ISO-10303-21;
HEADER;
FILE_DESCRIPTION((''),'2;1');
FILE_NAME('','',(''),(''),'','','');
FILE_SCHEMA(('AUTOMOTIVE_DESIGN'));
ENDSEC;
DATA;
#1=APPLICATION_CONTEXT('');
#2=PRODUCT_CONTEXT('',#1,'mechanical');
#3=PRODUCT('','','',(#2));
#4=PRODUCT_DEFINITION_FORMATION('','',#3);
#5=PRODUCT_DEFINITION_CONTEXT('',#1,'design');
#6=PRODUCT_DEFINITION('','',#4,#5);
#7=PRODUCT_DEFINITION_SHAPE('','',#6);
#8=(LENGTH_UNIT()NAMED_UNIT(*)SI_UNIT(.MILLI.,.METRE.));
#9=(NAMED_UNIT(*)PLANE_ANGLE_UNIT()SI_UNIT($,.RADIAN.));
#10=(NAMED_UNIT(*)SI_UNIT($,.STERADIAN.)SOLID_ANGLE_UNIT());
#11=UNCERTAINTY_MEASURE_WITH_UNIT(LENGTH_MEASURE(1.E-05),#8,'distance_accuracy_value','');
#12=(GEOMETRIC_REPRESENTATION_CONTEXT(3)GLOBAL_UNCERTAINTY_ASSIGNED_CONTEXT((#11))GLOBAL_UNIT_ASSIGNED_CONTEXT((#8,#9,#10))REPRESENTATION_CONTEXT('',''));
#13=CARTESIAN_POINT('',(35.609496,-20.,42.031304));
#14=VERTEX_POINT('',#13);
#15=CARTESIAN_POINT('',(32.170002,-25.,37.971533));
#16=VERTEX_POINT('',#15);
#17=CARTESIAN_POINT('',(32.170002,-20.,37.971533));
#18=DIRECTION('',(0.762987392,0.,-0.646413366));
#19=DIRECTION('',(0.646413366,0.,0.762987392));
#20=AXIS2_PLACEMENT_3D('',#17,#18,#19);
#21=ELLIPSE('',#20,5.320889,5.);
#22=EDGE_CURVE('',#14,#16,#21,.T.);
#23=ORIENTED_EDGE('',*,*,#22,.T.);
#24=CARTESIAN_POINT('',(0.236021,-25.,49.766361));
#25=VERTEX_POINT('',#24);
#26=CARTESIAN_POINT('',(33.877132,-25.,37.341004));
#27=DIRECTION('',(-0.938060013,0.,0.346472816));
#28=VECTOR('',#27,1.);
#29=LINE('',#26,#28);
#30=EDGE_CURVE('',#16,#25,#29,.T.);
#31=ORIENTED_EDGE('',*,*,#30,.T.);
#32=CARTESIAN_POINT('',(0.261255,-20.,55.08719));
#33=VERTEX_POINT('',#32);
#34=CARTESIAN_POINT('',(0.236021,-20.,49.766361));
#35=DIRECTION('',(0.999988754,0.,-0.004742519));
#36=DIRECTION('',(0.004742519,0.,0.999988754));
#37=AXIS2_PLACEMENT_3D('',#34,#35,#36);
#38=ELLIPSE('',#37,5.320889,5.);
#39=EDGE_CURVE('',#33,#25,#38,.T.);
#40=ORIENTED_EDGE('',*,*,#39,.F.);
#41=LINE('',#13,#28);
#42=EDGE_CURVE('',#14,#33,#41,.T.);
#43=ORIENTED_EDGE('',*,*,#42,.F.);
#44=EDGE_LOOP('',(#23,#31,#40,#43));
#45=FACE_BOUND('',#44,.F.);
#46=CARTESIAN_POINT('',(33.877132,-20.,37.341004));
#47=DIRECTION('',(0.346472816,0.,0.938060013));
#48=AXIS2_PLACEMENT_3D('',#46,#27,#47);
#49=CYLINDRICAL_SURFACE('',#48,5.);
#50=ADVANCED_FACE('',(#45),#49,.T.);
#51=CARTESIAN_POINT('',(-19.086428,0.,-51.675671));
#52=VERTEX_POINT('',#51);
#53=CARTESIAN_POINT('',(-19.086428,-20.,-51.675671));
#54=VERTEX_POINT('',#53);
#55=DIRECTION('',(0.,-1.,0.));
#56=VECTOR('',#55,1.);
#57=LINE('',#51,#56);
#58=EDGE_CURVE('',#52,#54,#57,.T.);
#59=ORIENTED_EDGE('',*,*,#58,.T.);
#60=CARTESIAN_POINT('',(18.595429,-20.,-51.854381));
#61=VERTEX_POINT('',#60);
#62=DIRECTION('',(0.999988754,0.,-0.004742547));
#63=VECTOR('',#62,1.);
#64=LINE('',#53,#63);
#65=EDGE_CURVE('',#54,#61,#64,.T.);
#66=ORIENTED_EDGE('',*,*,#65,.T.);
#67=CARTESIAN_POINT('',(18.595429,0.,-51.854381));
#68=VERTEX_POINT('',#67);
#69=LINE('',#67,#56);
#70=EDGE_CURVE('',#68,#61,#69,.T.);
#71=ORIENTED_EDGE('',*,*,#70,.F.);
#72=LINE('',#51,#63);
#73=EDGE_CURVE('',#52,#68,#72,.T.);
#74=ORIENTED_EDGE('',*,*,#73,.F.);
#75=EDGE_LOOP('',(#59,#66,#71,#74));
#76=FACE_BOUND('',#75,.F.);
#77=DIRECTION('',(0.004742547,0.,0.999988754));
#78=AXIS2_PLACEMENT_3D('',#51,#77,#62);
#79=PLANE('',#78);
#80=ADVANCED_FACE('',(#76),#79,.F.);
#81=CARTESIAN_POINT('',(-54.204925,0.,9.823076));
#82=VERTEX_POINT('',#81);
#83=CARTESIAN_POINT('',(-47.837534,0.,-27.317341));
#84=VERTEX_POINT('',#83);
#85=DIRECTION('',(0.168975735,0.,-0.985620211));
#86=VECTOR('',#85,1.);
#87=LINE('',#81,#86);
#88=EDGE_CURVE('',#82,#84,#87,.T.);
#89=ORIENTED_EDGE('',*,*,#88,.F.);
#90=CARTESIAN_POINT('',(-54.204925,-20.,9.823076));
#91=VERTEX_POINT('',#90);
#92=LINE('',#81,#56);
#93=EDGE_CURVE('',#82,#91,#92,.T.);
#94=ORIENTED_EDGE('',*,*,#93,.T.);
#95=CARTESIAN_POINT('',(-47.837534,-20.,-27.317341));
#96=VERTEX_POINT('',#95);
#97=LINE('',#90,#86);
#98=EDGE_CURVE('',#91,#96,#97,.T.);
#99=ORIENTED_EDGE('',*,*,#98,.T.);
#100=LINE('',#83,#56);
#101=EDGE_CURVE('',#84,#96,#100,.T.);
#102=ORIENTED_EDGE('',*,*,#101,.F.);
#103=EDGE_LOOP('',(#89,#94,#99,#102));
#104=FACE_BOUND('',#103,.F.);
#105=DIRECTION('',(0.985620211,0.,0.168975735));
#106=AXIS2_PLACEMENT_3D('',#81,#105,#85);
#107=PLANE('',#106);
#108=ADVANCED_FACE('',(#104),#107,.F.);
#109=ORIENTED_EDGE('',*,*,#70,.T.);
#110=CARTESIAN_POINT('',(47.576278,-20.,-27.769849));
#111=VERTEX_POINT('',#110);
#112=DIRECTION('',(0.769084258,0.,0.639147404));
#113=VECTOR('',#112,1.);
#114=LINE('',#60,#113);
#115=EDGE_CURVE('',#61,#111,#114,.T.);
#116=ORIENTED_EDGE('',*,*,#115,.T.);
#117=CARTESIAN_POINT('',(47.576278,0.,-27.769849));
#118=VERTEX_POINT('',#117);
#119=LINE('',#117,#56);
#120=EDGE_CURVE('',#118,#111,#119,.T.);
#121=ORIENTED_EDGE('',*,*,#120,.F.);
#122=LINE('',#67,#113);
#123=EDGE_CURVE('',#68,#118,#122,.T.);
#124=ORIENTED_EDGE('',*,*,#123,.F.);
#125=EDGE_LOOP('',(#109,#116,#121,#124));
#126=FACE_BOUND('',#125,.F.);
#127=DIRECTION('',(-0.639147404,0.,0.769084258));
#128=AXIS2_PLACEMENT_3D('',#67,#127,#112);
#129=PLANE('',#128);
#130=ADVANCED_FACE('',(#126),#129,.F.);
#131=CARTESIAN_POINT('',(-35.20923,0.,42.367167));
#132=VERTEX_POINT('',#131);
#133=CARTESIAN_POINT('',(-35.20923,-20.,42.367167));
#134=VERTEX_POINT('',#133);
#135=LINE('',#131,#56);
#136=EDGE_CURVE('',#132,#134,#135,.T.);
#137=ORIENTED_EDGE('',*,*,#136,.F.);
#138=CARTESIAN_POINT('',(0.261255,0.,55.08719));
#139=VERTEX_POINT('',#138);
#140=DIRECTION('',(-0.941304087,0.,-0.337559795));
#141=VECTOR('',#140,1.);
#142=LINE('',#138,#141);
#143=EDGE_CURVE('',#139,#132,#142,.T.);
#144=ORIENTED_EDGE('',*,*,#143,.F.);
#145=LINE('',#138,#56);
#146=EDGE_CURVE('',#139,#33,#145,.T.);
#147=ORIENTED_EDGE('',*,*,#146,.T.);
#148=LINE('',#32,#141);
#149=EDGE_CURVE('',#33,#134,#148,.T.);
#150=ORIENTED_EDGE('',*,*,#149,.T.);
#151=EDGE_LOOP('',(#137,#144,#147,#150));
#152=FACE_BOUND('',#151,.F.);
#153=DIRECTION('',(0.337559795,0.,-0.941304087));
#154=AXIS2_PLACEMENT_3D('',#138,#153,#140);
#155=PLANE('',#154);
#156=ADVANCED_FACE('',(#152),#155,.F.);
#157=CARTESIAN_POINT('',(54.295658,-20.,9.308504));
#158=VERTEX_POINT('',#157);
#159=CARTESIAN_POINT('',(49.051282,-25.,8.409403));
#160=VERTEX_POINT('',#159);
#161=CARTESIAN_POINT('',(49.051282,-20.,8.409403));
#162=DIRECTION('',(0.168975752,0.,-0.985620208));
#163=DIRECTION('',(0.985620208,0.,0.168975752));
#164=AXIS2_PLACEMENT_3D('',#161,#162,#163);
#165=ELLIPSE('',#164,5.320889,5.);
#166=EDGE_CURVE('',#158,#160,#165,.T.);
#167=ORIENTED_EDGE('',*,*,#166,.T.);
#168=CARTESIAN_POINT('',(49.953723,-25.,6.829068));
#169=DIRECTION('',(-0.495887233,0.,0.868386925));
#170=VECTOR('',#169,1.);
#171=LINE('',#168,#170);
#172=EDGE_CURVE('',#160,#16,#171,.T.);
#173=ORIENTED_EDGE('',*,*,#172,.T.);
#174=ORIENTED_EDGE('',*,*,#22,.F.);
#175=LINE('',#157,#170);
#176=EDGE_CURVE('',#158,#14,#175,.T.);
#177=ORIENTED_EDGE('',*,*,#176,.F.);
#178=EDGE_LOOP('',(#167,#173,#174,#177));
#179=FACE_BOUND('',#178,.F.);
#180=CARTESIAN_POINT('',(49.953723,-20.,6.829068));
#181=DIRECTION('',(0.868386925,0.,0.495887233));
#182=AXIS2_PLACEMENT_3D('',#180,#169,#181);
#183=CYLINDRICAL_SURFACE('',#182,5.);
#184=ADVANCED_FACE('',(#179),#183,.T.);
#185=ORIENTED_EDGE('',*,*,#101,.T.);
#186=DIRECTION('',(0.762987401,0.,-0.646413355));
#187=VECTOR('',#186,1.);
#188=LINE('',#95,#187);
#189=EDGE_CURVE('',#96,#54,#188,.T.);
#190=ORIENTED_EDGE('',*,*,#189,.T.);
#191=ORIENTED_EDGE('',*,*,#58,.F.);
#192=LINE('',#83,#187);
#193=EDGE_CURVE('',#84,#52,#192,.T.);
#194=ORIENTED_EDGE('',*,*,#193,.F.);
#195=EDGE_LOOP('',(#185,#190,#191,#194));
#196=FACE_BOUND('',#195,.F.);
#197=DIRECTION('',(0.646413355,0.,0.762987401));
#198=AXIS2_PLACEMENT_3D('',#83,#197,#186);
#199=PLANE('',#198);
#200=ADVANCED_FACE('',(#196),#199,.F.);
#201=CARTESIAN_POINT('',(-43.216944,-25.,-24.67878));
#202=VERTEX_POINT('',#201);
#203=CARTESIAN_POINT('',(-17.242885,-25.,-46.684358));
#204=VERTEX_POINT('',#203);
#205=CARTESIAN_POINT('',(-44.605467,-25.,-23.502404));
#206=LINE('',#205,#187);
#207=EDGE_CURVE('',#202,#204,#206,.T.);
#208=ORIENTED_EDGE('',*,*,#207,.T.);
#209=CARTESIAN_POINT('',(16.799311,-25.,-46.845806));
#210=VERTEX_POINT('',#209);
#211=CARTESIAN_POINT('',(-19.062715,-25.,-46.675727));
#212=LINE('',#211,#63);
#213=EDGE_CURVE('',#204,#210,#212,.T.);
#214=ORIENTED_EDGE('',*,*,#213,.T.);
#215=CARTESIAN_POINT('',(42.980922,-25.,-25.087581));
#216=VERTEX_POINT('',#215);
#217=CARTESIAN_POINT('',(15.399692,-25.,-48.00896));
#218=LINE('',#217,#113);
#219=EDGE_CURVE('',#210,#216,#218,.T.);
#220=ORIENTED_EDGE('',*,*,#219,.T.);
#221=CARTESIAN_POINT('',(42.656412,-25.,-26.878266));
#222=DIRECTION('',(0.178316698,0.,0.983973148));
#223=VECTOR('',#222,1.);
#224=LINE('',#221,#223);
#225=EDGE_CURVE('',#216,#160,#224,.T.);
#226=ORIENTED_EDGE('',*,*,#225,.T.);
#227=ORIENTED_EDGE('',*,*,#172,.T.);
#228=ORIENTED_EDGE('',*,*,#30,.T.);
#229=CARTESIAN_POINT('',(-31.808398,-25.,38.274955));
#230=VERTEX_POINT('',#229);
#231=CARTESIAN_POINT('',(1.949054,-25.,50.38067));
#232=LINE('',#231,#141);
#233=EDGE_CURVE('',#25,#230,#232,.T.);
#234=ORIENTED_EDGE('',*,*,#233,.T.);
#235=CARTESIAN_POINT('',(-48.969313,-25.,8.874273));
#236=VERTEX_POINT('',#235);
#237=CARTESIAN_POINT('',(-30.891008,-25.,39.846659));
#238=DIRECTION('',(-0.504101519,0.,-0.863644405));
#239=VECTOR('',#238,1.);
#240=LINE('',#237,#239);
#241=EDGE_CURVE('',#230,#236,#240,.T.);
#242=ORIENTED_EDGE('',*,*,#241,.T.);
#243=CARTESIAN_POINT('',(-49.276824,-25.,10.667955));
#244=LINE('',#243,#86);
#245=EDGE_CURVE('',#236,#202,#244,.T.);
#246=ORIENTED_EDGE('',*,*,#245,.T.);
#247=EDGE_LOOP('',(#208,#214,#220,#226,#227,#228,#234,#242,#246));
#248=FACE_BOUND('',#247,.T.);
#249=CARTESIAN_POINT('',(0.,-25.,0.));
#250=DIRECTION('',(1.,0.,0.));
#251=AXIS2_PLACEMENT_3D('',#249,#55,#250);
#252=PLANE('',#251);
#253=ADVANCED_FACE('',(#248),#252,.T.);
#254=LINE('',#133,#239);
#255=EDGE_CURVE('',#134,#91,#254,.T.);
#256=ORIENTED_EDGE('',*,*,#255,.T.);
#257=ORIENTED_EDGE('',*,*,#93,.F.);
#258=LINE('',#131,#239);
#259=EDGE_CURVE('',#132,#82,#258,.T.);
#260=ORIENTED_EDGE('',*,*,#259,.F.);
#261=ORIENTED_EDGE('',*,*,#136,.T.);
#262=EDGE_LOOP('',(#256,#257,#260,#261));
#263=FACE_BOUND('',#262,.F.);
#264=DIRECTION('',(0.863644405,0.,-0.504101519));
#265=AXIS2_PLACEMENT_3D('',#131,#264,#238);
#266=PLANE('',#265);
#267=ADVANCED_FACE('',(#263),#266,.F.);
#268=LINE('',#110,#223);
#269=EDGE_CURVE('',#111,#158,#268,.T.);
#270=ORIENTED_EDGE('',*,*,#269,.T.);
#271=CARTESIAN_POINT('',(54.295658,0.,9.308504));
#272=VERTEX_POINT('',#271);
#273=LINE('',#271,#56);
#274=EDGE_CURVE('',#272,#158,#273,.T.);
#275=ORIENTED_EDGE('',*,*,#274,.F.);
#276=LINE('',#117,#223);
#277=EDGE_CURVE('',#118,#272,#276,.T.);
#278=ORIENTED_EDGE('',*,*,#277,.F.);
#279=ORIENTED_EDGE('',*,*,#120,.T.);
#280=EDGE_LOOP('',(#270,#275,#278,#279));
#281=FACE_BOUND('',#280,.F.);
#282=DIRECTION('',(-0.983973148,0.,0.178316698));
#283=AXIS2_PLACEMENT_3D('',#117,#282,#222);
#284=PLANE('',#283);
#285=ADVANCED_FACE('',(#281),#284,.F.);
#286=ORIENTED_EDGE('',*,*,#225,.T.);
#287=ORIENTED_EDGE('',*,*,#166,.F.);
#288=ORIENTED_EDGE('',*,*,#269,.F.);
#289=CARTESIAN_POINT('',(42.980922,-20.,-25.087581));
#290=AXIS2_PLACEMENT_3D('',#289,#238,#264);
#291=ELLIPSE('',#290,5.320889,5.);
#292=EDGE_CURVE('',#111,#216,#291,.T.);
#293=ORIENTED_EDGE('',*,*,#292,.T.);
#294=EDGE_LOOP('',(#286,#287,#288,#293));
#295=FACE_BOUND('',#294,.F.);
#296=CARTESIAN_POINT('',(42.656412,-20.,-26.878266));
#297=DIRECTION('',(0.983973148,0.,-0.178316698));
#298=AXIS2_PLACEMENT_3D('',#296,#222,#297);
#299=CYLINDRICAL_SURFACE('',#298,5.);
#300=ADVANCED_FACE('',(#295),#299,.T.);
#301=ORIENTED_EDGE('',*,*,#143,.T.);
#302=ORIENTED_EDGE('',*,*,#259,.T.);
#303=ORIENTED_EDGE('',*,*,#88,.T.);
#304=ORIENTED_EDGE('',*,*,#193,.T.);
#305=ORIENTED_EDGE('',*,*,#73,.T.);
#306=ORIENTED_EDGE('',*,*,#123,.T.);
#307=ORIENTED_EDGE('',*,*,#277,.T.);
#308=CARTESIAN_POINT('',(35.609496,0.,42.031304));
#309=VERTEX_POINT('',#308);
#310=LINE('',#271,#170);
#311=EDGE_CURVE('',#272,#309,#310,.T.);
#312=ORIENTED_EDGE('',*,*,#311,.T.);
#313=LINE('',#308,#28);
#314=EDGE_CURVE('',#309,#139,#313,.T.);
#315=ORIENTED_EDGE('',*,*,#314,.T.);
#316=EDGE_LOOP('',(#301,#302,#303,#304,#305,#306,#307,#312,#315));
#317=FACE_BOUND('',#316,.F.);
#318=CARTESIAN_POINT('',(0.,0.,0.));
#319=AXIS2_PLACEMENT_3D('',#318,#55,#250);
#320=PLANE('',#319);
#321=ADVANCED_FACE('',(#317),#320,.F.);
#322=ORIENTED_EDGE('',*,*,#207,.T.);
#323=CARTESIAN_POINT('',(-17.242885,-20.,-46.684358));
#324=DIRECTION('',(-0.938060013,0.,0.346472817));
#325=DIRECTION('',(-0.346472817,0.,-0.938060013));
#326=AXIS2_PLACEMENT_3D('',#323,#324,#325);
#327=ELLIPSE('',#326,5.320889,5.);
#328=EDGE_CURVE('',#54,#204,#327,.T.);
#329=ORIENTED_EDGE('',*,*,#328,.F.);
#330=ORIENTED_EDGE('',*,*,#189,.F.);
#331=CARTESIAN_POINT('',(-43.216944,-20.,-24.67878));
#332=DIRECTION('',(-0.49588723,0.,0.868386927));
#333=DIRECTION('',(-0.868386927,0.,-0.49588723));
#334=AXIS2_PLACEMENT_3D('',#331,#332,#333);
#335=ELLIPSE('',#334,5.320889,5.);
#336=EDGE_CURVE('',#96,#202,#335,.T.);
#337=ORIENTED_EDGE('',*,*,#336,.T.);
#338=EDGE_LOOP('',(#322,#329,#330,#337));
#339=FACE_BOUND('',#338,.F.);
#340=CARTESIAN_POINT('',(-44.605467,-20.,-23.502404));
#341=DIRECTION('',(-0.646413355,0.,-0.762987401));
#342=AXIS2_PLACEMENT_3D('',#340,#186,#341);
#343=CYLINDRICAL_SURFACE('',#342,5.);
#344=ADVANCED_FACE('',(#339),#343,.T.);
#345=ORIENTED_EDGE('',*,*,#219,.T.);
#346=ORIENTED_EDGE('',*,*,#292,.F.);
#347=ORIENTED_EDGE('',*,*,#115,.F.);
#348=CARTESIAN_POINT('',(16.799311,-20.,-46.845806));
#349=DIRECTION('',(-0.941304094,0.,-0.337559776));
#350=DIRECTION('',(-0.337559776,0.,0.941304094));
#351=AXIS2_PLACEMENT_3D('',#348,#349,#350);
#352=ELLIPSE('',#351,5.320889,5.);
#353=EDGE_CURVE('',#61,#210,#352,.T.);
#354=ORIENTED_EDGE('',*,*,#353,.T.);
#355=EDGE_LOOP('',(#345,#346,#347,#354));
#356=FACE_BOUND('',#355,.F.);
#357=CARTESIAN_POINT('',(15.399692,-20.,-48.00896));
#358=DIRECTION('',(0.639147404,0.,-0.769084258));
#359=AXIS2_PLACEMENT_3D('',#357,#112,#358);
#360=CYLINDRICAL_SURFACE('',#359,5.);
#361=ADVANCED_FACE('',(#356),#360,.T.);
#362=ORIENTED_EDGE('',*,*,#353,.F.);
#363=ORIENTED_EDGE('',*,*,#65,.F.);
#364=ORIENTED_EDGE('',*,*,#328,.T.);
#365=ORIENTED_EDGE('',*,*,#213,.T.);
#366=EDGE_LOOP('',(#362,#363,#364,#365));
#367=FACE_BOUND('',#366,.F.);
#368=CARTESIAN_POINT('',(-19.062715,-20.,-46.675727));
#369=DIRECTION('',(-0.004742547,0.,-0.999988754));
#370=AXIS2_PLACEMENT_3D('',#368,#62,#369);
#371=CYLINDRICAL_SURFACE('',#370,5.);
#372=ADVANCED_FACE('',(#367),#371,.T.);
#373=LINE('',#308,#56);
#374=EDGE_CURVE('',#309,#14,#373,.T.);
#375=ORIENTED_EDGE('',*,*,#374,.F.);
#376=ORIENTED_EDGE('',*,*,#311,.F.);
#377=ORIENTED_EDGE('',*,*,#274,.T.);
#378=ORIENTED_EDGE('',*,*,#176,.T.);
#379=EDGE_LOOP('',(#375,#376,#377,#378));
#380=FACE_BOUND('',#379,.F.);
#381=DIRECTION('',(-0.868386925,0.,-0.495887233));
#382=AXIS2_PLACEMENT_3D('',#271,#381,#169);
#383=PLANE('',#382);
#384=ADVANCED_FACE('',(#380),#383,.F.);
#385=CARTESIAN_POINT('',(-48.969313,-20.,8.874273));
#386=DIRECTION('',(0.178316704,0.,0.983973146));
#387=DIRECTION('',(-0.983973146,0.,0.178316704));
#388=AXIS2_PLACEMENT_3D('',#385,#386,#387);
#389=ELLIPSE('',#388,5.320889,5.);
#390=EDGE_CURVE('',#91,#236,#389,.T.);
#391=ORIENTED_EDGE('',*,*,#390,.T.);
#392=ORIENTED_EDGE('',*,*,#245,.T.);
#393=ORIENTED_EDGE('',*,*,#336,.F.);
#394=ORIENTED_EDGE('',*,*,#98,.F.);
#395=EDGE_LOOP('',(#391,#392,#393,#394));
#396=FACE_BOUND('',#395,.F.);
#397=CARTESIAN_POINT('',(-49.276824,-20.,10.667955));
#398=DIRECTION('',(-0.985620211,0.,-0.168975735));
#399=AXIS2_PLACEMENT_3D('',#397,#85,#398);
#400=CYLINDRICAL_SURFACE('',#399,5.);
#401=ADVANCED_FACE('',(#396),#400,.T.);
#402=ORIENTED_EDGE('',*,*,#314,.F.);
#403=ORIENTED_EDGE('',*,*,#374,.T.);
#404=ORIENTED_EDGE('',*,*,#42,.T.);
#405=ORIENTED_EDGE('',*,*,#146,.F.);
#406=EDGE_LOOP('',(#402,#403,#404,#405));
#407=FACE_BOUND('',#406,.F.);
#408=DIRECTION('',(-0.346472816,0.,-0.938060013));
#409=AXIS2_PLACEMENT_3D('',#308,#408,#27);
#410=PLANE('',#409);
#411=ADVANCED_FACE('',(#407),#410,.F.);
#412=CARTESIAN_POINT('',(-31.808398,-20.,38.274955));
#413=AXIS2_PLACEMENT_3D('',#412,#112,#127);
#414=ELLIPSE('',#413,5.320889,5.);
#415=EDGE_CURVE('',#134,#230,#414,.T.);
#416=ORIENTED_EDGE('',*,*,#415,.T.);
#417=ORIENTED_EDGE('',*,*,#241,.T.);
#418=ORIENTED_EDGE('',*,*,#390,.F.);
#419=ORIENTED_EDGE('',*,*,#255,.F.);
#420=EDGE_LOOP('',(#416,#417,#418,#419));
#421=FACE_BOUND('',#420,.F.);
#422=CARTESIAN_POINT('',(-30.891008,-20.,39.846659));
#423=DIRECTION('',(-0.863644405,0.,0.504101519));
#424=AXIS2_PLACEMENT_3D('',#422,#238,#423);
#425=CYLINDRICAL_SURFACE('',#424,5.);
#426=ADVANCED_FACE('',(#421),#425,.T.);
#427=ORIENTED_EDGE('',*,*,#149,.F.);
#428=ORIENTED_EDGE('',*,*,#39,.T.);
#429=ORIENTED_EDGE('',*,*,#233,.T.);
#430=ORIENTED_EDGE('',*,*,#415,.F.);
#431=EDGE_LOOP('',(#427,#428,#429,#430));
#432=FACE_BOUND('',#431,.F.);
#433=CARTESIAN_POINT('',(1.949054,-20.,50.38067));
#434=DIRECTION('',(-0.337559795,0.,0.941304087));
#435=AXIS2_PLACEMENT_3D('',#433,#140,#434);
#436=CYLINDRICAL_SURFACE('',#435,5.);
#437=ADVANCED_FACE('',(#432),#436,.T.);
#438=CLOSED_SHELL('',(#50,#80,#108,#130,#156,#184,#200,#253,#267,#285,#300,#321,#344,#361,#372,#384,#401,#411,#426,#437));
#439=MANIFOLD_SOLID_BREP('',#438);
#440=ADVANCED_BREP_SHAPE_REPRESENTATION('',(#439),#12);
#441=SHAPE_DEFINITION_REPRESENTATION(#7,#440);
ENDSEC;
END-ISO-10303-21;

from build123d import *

# Parameters (mm, degrees)
F1_DEPTH = 25
F2_R     = 5


with BuildPart() as f1:
    # F0 (on Front) → F1 (new body)
    with BuildSketch(Plane.XZ):
        Polygon((18.595429, -51.854381), (47.576278, -27.769849), (54.295658, 9.308504), (35.609496, 42.031304), (0.261255, 55.08719), (-35.20923, 42.367167), (-54.204925, 9.823076), (-47.837534, -27.317341), (-19.086428, -51.675671), align=None)
    extrude(amount=F1_DEPTH)

    # F2
    f2_edges = [f1.edges().sort_by_distance(p)[0] for p in [
        (33.085854, -25, -39.812115),
        (50.935968, -25, -9.230672),
        (44.952577, -25, 25.669904),
        (17.935376, -25, 48.559247),
        (-17.473987, -25, 48.727179),
        (-44.707078, -25, 26.095122),
        (-51.02123, -25, -8.747133),
        (-33.461981, -25, -39.496506),
        (-0.2455, -25, -51.765026),
    ]]
    fillet(f2_edges, radius=F2_R)


solid = f1.part
